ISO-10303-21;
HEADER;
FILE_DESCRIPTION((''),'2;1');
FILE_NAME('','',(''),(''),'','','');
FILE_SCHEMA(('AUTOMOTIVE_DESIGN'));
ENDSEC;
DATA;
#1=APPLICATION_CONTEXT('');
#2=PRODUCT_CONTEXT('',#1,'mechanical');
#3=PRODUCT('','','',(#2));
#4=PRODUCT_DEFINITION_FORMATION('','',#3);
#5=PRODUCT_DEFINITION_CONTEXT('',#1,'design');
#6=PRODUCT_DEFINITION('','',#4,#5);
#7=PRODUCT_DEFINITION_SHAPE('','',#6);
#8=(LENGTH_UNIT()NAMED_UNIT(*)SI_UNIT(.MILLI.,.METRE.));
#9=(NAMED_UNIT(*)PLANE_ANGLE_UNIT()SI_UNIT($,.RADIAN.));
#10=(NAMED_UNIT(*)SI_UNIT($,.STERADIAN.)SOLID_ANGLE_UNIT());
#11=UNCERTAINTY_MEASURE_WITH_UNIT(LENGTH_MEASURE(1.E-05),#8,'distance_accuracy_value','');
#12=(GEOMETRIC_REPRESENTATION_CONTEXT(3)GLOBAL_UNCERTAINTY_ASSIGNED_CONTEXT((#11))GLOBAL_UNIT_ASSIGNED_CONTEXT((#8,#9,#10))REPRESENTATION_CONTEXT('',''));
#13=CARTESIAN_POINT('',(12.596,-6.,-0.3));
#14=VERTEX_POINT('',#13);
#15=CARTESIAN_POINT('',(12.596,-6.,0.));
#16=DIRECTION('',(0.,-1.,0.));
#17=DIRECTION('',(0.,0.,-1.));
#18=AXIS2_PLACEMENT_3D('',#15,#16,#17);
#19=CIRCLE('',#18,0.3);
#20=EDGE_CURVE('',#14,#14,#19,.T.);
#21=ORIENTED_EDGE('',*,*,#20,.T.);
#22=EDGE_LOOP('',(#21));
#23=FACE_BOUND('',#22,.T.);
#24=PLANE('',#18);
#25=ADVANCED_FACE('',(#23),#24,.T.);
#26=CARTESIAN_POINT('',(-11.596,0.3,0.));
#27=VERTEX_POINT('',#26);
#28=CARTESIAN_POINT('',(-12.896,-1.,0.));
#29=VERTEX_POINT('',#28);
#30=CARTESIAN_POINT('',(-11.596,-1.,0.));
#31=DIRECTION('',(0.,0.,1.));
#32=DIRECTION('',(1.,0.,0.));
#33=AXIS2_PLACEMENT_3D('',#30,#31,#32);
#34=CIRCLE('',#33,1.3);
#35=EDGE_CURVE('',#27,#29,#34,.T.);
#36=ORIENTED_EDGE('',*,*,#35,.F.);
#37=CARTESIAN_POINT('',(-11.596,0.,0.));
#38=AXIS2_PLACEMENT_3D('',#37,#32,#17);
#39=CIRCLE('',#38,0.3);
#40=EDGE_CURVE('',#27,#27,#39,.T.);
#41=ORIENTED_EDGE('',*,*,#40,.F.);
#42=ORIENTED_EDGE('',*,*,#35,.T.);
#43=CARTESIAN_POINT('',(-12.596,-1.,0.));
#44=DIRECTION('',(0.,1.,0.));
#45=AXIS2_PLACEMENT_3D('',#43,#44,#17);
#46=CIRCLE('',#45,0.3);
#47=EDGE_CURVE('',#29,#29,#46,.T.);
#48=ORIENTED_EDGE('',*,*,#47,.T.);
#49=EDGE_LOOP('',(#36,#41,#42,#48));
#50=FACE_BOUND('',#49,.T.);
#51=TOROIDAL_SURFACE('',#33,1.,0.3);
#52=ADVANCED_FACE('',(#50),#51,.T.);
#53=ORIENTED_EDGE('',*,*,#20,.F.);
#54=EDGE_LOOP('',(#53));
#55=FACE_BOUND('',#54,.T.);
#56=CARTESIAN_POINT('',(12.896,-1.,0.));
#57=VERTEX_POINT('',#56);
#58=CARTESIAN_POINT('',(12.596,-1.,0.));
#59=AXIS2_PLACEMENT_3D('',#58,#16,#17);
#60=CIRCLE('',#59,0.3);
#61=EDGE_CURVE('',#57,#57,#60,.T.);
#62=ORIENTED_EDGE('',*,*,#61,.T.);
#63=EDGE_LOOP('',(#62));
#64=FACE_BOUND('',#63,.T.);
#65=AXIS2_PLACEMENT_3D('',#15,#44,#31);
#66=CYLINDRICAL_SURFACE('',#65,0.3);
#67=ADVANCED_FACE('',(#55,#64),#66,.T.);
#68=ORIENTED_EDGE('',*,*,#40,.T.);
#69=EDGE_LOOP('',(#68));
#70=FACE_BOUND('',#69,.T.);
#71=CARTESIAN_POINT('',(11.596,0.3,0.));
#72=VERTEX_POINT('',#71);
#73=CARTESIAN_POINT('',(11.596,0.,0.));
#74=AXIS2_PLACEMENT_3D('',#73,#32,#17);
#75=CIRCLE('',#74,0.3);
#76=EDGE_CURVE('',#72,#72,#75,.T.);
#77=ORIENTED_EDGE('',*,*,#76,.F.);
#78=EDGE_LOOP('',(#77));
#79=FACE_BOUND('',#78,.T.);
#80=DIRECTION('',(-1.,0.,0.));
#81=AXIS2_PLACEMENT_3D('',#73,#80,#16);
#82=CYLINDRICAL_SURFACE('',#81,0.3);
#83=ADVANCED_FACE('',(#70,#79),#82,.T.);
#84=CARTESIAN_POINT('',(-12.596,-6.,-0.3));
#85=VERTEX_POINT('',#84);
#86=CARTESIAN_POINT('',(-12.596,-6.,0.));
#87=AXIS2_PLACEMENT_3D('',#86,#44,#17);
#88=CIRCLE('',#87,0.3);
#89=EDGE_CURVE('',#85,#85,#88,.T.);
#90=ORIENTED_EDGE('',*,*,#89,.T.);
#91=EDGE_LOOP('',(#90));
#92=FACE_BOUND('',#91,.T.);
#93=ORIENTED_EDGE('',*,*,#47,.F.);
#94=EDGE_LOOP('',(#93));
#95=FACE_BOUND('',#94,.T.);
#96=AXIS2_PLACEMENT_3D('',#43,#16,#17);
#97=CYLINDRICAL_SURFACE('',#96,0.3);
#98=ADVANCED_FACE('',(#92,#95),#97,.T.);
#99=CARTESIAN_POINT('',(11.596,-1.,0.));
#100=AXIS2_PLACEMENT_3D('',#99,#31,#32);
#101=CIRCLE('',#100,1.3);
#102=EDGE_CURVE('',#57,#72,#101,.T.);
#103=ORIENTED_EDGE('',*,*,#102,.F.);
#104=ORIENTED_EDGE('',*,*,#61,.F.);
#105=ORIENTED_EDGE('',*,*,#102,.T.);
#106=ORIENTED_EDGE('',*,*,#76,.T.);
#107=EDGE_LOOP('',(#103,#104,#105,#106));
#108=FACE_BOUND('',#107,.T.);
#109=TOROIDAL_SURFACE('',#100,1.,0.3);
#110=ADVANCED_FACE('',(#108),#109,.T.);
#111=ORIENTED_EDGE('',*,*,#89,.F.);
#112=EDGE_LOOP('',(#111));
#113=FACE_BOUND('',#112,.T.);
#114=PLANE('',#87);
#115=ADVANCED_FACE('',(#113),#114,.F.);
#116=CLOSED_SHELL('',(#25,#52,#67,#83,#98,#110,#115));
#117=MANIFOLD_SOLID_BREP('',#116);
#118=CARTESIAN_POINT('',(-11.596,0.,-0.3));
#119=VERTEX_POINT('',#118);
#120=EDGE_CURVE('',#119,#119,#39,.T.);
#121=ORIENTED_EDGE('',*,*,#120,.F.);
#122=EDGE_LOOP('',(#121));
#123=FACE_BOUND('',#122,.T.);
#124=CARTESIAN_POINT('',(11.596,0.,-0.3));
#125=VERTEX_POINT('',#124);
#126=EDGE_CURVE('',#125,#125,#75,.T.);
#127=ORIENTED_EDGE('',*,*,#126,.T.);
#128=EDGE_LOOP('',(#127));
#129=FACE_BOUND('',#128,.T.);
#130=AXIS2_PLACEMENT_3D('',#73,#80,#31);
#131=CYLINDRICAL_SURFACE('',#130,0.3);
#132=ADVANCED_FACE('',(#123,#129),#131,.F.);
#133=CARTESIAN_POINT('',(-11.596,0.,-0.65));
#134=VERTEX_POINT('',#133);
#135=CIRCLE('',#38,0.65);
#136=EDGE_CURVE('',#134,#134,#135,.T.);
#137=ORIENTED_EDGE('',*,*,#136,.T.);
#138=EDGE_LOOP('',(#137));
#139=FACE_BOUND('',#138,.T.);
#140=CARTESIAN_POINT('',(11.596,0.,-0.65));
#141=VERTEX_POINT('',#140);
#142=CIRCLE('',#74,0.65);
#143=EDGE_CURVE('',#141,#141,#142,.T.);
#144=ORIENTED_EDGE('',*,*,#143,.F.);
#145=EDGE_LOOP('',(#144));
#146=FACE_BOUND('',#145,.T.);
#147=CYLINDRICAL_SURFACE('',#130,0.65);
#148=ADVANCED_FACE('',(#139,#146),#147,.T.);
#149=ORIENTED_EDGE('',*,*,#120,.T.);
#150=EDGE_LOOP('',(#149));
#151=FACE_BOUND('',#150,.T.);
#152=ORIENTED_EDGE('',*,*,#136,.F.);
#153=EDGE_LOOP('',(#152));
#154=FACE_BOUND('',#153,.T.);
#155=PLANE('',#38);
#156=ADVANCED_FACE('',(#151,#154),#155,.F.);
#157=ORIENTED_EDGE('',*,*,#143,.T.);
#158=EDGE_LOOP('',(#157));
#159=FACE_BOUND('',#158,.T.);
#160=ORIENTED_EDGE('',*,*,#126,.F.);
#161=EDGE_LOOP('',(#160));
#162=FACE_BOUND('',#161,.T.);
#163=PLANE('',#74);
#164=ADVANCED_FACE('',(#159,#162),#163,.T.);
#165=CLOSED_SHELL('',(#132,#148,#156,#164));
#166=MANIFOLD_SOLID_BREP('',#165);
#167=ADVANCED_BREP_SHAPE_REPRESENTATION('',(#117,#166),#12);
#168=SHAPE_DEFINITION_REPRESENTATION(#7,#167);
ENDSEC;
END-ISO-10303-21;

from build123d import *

# Parameters (mm, degrees)
SKETCH2_R                = 0.3
SKETCH3_R                = 0.65
SKETCH3_R_2              = 0.3
BOSS_EXTRUDE1_DEPTH      = 11.596
BOSS_EXTRUDE1_DEPTH_BACK = 11.596


with BuildPart() as part:
    # Sweep1: sweep along a path in Sketch1
    with BuildLine(Plane.XY) as sweep1_path:
        Line((-12.596, -6), (-12.596, -1))
        ThreePointArc((-12.596, -1), (-12.303106781, -0.292893219), (-11.596, 0))
        Line((-11.596, 0), (11.596, 0))
        ThreePointArc((11.596, 0), (12.303106781, -0.292893219), (12.596, -1))
        Line((12.596, -1), (12.596, -6))
    # Sketch2 → Sweep1 (sweep)
    with BuildSketch(Plane(origin=(0, 0, 0), x_dir=(0, 0, -1), z_dir=(1, 0, 0))):
        Circle(SKETCH2_R)
    sweep(path=sweep1_path.line)


with BuildPart() as body_2:
    # Sketch3 → Boss-Extrude1 (new body, two sides)
    with BuildSketch(Plane(origin=(0, 0, 0), x_dir=(0, 0, -1), z_dir=(1, 0, 0))) as boss_extrude1_sk:
        Circle(SKETCH3_R)
        Circle(SKETCH3_R_2, mode=Mode.SUBTRACT)
    extrude(amount=BOSS_EXTRUDE1_DEPTH)
    extrude(boss_extrude1_sk.sketch, amount=-BOSS_EXTRUDE1_DEPTH_BACK)


solid = Compound([part.part, body_2.part])
